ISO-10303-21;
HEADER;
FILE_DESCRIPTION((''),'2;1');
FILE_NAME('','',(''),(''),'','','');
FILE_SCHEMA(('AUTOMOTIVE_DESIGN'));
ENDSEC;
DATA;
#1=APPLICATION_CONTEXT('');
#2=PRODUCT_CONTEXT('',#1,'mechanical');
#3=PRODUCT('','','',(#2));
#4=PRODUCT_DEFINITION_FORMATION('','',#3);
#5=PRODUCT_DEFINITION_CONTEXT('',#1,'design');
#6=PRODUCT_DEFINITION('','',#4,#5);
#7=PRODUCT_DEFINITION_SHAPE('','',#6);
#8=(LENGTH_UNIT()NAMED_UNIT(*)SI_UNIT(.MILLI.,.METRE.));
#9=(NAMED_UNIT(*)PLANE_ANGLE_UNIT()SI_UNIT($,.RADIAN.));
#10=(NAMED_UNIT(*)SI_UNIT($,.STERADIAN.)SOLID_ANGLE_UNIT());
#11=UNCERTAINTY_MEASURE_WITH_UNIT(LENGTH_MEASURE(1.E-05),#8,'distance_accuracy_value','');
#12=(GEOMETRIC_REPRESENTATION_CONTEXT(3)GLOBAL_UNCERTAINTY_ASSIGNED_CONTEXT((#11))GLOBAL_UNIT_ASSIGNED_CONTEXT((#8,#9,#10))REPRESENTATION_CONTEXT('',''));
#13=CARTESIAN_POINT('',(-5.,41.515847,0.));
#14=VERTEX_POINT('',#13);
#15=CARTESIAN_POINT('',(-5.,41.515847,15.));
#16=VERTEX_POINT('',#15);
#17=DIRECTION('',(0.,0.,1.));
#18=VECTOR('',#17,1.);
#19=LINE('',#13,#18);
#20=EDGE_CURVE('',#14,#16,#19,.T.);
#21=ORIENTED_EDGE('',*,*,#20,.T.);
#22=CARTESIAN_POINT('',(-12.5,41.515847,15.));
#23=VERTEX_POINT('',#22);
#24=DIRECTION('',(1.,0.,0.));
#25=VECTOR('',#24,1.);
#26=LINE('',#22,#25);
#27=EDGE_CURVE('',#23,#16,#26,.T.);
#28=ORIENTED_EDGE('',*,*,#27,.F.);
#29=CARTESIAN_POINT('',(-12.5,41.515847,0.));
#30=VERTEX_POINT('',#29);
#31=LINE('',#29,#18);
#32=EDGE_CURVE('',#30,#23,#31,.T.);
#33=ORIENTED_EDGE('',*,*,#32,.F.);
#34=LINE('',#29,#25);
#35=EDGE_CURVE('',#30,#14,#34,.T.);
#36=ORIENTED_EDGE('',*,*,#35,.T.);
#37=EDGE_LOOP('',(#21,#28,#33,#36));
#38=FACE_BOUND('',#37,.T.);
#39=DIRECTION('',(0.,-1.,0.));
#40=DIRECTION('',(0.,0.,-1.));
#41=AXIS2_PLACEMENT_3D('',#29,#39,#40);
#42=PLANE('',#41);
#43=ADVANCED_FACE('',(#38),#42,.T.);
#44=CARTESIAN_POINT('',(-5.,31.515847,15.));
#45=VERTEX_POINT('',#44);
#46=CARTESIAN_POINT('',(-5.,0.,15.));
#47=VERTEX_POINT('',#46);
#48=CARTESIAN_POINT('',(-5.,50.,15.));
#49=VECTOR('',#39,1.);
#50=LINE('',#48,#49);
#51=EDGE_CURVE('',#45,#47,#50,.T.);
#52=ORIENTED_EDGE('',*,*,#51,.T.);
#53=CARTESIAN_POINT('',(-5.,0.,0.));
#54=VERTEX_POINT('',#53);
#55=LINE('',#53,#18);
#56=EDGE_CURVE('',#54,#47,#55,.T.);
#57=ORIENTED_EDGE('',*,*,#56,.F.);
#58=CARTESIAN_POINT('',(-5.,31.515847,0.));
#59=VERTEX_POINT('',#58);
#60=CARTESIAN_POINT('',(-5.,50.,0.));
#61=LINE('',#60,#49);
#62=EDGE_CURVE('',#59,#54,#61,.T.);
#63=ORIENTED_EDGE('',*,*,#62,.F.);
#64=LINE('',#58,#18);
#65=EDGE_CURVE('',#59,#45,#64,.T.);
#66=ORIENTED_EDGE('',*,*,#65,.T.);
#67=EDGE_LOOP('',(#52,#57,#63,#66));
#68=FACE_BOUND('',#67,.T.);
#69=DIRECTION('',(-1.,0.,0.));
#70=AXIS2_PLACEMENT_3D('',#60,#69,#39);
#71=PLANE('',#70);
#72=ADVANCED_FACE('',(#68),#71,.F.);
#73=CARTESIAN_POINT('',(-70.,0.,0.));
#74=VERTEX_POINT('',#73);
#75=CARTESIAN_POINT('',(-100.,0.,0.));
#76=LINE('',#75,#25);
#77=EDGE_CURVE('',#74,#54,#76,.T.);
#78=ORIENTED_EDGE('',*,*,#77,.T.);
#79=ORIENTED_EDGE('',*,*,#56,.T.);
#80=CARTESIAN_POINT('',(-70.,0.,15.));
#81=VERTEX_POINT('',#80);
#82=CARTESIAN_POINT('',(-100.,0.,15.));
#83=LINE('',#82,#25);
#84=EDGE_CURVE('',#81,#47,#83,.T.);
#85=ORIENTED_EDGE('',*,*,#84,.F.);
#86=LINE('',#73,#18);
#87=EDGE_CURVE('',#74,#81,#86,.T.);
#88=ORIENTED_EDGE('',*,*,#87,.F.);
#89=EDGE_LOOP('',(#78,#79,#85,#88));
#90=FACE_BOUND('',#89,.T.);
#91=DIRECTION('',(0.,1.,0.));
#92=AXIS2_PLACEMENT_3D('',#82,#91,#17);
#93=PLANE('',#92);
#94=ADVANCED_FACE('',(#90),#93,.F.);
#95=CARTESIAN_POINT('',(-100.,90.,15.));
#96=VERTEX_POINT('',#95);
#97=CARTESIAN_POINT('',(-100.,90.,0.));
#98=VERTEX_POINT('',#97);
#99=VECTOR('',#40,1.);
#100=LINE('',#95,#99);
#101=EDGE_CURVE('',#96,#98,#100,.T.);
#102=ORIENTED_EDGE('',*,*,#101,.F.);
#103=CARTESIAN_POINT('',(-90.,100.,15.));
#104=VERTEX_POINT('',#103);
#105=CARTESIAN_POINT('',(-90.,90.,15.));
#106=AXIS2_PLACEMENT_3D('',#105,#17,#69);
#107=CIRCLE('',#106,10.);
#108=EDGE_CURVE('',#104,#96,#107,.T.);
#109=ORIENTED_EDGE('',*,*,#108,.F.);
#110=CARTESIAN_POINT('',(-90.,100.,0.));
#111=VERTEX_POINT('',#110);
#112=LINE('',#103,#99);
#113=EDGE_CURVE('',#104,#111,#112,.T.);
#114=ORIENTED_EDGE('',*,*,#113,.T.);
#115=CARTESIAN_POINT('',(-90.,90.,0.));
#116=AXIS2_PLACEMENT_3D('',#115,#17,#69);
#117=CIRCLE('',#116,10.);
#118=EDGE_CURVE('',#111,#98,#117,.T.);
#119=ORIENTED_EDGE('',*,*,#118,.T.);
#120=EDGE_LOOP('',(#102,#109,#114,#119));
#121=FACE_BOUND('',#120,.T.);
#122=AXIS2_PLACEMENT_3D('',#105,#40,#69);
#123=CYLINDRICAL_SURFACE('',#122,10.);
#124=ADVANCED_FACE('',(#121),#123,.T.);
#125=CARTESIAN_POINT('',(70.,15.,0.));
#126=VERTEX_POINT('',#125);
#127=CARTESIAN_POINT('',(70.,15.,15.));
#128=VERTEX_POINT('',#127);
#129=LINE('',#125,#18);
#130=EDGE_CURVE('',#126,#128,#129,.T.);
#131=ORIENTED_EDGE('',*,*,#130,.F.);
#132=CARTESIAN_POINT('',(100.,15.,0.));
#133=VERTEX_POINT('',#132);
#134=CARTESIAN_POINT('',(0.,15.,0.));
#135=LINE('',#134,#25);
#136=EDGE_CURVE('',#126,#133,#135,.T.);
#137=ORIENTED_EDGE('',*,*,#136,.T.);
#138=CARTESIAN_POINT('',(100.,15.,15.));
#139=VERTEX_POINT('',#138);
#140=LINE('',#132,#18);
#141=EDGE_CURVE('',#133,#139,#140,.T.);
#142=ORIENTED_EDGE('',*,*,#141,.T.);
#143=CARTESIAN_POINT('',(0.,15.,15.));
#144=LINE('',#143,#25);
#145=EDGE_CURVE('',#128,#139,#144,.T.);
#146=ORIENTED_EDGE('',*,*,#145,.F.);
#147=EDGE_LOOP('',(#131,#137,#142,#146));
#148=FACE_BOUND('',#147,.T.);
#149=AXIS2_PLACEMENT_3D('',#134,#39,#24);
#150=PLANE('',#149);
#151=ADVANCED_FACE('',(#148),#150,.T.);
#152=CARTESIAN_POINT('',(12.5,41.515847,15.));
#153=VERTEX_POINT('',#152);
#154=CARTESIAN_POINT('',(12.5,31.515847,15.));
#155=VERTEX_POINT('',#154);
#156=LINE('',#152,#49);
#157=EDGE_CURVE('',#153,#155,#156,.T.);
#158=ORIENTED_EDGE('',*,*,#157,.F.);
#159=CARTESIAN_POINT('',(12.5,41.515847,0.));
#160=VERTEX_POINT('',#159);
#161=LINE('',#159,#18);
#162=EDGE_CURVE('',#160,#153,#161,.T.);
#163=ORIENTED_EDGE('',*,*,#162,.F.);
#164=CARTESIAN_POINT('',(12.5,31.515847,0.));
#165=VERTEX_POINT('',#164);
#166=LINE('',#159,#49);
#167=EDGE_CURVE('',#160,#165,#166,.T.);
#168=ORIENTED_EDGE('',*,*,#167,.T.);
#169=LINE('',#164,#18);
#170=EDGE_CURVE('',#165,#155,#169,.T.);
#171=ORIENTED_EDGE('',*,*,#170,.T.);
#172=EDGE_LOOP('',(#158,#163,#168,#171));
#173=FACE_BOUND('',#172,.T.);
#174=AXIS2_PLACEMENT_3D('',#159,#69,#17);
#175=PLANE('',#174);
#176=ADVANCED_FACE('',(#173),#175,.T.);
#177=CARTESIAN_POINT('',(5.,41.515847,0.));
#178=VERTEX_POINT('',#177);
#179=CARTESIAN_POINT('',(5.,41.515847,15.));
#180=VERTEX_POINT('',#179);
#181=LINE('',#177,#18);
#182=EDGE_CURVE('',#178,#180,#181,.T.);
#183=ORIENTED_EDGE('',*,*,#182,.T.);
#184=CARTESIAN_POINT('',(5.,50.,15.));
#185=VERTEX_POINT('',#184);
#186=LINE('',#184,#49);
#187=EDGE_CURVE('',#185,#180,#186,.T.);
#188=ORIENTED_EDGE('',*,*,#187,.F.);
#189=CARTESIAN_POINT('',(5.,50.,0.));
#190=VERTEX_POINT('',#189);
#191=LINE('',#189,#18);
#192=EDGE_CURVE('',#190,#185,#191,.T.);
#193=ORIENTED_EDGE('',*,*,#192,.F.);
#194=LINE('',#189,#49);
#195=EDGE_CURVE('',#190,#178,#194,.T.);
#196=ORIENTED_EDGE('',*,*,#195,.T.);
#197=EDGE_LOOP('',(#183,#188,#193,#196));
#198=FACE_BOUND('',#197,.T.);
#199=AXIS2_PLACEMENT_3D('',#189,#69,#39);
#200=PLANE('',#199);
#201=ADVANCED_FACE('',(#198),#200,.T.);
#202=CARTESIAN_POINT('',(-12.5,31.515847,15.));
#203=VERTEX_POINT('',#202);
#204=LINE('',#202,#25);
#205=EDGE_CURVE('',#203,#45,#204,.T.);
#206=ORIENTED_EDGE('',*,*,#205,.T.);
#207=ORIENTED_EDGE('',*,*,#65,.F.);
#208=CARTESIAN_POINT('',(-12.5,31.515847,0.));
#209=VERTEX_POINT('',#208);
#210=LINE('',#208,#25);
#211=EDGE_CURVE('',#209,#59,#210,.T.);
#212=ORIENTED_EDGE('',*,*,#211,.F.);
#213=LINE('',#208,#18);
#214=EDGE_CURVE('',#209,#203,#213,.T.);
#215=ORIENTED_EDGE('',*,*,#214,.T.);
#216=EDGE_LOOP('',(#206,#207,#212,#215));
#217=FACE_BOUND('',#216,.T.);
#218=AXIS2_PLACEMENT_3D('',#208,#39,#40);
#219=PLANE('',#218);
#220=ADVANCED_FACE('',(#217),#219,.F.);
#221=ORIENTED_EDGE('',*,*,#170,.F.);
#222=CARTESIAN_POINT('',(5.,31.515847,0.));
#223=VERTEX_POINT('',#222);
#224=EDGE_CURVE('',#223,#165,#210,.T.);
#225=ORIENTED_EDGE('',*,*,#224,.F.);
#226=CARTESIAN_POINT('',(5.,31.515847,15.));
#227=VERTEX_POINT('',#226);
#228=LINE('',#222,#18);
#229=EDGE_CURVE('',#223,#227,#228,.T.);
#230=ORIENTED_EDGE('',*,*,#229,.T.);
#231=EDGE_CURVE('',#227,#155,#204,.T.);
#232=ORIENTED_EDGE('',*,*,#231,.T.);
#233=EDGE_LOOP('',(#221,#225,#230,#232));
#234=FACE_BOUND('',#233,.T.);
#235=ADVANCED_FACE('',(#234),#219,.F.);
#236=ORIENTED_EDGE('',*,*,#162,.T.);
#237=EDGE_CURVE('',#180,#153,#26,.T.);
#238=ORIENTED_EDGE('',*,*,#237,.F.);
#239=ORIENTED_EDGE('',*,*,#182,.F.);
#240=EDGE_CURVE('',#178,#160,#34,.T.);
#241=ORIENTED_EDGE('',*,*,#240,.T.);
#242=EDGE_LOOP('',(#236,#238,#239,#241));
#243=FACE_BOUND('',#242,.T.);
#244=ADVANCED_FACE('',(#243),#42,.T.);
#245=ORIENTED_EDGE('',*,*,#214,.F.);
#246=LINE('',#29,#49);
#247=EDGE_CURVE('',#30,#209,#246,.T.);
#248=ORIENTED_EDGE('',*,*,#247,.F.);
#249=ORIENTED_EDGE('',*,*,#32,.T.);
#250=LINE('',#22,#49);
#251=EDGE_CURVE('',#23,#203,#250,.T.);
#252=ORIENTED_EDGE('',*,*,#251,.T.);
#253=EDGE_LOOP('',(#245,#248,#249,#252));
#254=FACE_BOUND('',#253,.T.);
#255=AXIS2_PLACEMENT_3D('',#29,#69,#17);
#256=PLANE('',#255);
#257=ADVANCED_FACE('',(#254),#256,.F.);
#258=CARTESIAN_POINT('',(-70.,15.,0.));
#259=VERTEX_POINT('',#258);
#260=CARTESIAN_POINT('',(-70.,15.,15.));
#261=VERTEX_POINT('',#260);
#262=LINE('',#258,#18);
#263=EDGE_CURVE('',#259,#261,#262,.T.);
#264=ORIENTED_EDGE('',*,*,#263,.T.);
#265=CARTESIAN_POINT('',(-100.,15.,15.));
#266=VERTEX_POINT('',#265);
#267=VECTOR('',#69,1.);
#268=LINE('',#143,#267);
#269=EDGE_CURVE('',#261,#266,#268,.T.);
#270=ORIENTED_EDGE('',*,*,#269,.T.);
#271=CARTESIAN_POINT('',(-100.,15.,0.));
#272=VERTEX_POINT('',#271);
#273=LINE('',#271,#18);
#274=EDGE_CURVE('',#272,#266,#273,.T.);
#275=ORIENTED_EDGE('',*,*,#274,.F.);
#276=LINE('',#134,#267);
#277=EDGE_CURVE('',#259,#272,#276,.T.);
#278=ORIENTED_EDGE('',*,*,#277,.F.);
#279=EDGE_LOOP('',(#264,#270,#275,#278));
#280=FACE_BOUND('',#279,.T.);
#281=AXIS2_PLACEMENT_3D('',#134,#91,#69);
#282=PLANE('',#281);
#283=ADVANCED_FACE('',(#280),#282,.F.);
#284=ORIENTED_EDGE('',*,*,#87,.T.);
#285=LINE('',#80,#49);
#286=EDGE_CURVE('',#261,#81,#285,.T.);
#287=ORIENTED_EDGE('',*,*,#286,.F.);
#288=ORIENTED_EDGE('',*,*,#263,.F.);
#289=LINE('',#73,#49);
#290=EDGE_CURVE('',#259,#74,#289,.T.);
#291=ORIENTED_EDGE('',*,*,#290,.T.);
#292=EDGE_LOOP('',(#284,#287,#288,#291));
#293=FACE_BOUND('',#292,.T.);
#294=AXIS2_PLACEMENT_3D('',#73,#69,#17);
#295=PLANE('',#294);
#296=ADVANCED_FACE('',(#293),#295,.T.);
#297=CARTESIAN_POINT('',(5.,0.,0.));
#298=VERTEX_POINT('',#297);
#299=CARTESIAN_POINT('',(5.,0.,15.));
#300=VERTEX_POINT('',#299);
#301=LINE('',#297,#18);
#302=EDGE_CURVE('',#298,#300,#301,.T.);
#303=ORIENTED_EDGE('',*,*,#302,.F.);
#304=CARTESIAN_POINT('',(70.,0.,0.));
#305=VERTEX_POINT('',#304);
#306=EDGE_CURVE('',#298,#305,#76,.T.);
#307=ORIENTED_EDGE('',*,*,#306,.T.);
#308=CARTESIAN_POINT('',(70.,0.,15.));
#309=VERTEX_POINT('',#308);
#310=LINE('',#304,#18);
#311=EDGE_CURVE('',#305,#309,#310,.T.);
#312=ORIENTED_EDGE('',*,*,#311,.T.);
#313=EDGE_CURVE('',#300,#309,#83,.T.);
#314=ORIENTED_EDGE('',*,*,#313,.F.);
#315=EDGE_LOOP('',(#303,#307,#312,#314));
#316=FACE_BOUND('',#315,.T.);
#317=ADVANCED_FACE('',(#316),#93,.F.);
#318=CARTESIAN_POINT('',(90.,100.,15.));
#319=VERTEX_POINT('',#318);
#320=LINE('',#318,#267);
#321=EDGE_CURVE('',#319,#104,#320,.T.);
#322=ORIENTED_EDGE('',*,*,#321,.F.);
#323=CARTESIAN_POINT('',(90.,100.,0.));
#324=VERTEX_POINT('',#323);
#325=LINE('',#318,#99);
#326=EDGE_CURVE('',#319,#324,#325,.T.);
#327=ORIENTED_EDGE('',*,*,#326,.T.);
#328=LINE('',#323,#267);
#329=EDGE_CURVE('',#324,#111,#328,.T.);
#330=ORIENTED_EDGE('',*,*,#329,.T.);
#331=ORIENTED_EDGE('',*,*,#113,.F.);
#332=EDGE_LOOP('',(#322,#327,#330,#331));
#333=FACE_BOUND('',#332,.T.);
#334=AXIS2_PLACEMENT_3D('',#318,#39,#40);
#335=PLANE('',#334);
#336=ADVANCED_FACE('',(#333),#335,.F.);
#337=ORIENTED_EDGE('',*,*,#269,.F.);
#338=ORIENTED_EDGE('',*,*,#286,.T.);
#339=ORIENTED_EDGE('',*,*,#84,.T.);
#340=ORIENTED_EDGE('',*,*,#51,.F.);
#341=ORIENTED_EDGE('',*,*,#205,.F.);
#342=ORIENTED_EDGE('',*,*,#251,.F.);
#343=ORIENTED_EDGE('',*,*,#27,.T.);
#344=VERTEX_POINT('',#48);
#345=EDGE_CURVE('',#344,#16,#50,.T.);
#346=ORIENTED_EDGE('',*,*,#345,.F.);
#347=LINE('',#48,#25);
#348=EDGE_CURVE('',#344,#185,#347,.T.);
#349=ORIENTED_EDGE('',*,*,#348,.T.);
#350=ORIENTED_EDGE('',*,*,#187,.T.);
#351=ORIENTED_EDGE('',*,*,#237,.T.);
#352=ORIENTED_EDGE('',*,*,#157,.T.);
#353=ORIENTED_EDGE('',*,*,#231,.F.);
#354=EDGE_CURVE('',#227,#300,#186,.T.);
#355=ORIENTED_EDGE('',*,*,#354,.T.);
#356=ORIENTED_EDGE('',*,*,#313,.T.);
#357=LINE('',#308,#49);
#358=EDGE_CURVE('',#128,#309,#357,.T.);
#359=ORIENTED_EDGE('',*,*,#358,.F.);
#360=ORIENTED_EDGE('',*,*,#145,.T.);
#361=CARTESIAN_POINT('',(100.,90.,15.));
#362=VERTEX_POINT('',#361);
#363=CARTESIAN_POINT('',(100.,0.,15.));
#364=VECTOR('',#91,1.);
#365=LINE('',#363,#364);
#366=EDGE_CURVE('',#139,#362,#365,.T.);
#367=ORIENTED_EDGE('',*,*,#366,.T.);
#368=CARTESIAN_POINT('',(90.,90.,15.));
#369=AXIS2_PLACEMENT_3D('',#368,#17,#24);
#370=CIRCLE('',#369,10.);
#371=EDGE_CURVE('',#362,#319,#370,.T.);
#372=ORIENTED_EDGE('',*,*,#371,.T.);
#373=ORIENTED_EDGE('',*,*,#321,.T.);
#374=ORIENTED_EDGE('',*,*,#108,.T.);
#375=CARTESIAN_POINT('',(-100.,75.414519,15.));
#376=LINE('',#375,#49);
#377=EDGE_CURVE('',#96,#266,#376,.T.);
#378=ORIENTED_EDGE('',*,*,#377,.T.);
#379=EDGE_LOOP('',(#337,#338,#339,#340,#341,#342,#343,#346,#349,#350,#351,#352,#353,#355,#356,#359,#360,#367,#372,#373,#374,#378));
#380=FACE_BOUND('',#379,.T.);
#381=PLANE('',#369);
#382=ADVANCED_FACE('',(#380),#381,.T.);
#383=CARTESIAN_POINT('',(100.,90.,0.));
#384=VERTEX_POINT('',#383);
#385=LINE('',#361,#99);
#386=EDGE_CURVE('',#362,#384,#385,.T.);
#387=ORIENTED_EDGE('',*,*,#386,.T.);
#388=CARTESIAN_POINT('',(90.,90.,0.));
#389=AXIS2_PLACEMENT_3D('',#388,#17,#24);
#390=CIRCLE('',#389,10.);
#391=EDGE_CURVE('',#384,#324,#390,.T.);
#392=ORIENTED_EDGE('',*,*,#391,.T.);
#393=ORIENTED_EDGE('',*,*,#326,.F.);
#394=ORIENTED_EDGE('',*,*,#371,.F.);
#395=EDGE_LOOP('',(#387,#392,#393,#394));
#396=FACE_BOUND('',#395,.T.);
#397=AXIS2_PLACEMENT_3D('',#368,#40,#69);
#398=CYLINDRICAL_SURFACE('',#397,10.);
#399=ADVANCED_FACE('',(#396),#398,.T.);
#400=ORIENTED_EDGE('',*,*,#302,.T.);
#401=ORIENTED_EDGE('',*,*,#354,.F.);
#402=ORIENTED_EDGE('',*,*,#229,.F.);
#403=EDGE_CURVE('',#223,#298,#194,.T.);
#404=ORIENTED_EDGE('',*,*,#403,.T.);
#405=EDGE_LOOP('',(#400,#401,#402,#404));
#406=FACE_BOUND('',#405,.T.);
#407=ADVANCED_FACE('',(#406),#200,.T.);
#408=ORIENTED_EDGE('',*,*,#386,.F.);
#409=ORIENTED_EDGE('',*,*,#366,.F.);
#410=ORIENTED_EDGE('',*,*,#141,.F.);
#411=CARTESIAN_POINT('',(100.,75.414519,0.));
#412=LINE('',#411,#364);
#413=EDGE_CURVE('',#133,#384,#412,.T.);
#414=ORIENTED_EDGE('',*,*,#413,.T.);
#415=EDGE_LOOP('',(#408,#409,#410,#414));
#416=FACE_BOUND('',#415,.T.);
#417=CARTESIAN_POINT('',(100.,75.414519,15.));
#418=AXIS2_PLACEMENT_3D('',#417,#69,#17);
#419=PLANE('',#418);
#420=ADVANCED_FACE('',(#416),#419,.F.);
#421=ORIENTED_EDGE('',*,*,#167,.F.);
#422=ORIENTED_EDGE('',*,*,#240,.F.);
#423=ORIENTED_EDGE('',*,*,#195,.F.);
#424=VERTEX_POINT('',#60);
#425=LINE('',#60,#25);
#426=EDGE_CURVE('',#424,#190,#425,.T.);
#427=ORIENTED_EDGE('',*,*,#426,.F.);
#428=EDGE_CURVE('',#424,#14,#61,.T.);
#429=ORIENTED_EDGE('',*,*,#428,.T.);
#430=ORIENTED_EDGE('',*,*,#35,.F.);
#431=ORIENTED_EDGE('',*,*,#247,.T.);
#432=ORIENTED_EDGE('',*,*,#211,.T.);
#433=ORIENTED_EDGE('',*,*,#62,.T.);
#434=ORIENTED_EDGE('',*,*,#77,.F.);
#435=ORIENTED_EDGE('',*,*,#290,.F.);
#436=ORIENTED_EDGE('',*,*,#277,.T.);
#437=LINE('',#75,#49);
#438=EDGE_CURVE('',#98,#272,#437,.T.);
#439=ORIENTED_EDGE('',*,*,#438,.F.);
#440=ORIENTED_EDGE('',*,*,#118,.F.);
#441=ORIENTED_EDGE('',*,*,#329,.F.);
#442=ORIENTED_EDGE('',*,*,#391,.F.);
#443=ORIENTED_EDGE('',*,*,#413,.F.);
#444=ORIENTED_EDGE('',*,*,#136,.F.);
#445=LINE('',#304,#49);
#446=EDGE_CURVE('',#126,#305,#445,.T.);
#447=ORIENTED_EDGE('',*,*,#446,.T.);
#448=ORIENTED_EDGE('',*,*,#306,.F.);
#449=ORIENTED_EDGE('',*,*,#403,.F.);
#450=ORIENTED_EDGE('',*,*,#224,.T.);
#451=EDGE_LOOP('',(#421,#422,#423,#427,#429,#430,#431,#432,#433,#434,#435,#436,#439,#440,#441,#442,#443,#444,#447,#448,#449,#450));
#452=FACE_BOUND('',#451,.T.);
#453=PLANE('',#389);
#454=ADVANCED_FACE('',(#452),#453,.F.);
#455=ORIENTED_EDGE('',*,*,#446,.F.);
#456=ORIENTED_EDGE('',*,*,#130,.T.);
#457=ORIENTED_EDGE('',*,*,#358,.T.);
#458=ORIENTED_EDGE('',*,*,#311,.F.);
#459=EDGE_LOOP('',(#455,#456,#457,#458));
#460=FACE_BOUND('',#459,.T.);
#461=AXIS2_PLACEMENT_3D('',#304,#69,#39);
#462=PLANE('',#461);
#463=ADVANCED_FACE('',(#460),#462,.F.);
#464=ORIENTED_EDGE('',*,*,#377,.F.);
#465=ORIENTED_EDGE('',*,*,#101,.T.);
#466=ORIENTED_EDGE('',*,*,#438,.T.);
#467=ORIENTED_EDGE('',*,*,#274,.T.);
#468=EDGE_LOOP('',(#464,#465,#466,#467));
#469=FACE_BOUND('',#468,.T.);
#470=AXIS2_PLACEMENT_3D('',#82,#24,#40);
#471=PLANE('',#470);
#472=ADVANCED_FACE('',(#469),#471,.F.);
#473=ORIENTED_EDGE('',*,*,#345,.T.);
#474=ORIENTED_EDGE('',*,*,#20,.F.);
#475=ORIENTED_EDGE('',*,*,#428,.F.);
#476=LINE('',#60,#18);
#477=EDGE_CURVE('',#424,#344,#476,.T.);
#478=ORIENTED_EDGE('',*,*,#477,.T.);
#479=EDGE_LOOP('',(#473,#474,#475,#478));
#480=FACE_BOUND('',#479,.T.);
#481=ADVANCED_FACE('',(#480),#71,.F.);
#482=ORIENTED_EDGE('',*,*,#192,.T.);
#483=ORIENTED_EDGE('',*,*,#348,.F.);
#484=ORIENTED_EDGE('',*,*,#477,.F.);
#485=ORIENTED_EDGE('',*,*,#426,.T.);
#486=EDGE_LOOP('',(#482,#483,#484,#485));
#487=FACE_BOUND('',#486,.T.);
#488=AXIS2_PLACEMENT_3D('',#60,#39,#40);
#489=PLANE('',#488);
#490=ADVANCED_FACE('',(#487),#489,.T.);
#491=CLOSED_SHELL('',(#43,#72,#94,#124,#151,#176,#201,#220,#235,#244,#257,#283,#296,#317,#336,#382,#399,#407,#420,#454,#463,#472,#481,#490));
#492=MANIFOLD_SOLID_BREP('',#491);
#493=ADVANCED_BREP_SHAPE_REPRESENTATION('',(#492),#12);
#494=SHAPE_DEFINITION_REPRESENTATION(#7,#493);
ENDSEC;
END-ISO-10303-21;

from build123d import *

# Parameters (mm, degrees)
BOSS_EXTRU_1_DEPTH      = 15
ESQUISSE3_W             = 30
ESQUISSE3_H             = 15
ENL_V_MAT_EXTRU_1_DEPTH = 15


with BuildPart() as part:
    # Esquisse2 → Boss.-Extru.1 (new body)
    with BuildSketch(Plane.XY):
        with BuildLine():
            Line((-100, 0), (100, 0))
            Line((100, 0), (100, 15))
            Line((100, 15), (100, 55.414518843))
            Line((100, 55.414518843), (100, 75.414518843))
            Line((100, 75.414518843), (100, 90))
            ThreePointArc((100, 90), (97.071067812, 97.071067812), (90, 100))
            Line((90, 100), (-90, 100))
            ThreePointArc((-90, 100), (-97.071067812, 97.071067812), (-100, 90))
            Line((-100, 90), (-100, 75.414518843))
            Line((-100, 75.414518843), (-100, 55.414518843))
            Line((-100, 55.414518843), (-100, 15))
            Line((-100, 15), (-100, 0))
        make_face()
    extrude(amount=BOSS_EXTRU_1_DEPTH)

    # Esquisse3 → Enlèv. mat.-Extru.1 (cut)
    with BuildSketch(Plane.XY.offset(15)):
        with Locations((-85, 7.5)):
            Rectangle(ESQUISSE3_W, ESQUISSE3_H)
        Polygon((-5, 31.515847226), (-5, 0), (5, 0), (5, 31.515847226), (12.5, 31.515847226), (12.5, 41.515847226), (5, 41.515847226), (5, 50), (-5, 50), (-5, 41.515847226), (-12.5, 41.515847226), (-12.5, 31.515847226), align=None)
        with Locations((85, 7.5)):
            Rectangle(ESQUISSE3_W, ESQUISSE3_H)
    extrude(amount=-ENL_V_MAT_EXTRU_1_DEPTH, mode=Mode.SUBTRACT)


solid = part.part
